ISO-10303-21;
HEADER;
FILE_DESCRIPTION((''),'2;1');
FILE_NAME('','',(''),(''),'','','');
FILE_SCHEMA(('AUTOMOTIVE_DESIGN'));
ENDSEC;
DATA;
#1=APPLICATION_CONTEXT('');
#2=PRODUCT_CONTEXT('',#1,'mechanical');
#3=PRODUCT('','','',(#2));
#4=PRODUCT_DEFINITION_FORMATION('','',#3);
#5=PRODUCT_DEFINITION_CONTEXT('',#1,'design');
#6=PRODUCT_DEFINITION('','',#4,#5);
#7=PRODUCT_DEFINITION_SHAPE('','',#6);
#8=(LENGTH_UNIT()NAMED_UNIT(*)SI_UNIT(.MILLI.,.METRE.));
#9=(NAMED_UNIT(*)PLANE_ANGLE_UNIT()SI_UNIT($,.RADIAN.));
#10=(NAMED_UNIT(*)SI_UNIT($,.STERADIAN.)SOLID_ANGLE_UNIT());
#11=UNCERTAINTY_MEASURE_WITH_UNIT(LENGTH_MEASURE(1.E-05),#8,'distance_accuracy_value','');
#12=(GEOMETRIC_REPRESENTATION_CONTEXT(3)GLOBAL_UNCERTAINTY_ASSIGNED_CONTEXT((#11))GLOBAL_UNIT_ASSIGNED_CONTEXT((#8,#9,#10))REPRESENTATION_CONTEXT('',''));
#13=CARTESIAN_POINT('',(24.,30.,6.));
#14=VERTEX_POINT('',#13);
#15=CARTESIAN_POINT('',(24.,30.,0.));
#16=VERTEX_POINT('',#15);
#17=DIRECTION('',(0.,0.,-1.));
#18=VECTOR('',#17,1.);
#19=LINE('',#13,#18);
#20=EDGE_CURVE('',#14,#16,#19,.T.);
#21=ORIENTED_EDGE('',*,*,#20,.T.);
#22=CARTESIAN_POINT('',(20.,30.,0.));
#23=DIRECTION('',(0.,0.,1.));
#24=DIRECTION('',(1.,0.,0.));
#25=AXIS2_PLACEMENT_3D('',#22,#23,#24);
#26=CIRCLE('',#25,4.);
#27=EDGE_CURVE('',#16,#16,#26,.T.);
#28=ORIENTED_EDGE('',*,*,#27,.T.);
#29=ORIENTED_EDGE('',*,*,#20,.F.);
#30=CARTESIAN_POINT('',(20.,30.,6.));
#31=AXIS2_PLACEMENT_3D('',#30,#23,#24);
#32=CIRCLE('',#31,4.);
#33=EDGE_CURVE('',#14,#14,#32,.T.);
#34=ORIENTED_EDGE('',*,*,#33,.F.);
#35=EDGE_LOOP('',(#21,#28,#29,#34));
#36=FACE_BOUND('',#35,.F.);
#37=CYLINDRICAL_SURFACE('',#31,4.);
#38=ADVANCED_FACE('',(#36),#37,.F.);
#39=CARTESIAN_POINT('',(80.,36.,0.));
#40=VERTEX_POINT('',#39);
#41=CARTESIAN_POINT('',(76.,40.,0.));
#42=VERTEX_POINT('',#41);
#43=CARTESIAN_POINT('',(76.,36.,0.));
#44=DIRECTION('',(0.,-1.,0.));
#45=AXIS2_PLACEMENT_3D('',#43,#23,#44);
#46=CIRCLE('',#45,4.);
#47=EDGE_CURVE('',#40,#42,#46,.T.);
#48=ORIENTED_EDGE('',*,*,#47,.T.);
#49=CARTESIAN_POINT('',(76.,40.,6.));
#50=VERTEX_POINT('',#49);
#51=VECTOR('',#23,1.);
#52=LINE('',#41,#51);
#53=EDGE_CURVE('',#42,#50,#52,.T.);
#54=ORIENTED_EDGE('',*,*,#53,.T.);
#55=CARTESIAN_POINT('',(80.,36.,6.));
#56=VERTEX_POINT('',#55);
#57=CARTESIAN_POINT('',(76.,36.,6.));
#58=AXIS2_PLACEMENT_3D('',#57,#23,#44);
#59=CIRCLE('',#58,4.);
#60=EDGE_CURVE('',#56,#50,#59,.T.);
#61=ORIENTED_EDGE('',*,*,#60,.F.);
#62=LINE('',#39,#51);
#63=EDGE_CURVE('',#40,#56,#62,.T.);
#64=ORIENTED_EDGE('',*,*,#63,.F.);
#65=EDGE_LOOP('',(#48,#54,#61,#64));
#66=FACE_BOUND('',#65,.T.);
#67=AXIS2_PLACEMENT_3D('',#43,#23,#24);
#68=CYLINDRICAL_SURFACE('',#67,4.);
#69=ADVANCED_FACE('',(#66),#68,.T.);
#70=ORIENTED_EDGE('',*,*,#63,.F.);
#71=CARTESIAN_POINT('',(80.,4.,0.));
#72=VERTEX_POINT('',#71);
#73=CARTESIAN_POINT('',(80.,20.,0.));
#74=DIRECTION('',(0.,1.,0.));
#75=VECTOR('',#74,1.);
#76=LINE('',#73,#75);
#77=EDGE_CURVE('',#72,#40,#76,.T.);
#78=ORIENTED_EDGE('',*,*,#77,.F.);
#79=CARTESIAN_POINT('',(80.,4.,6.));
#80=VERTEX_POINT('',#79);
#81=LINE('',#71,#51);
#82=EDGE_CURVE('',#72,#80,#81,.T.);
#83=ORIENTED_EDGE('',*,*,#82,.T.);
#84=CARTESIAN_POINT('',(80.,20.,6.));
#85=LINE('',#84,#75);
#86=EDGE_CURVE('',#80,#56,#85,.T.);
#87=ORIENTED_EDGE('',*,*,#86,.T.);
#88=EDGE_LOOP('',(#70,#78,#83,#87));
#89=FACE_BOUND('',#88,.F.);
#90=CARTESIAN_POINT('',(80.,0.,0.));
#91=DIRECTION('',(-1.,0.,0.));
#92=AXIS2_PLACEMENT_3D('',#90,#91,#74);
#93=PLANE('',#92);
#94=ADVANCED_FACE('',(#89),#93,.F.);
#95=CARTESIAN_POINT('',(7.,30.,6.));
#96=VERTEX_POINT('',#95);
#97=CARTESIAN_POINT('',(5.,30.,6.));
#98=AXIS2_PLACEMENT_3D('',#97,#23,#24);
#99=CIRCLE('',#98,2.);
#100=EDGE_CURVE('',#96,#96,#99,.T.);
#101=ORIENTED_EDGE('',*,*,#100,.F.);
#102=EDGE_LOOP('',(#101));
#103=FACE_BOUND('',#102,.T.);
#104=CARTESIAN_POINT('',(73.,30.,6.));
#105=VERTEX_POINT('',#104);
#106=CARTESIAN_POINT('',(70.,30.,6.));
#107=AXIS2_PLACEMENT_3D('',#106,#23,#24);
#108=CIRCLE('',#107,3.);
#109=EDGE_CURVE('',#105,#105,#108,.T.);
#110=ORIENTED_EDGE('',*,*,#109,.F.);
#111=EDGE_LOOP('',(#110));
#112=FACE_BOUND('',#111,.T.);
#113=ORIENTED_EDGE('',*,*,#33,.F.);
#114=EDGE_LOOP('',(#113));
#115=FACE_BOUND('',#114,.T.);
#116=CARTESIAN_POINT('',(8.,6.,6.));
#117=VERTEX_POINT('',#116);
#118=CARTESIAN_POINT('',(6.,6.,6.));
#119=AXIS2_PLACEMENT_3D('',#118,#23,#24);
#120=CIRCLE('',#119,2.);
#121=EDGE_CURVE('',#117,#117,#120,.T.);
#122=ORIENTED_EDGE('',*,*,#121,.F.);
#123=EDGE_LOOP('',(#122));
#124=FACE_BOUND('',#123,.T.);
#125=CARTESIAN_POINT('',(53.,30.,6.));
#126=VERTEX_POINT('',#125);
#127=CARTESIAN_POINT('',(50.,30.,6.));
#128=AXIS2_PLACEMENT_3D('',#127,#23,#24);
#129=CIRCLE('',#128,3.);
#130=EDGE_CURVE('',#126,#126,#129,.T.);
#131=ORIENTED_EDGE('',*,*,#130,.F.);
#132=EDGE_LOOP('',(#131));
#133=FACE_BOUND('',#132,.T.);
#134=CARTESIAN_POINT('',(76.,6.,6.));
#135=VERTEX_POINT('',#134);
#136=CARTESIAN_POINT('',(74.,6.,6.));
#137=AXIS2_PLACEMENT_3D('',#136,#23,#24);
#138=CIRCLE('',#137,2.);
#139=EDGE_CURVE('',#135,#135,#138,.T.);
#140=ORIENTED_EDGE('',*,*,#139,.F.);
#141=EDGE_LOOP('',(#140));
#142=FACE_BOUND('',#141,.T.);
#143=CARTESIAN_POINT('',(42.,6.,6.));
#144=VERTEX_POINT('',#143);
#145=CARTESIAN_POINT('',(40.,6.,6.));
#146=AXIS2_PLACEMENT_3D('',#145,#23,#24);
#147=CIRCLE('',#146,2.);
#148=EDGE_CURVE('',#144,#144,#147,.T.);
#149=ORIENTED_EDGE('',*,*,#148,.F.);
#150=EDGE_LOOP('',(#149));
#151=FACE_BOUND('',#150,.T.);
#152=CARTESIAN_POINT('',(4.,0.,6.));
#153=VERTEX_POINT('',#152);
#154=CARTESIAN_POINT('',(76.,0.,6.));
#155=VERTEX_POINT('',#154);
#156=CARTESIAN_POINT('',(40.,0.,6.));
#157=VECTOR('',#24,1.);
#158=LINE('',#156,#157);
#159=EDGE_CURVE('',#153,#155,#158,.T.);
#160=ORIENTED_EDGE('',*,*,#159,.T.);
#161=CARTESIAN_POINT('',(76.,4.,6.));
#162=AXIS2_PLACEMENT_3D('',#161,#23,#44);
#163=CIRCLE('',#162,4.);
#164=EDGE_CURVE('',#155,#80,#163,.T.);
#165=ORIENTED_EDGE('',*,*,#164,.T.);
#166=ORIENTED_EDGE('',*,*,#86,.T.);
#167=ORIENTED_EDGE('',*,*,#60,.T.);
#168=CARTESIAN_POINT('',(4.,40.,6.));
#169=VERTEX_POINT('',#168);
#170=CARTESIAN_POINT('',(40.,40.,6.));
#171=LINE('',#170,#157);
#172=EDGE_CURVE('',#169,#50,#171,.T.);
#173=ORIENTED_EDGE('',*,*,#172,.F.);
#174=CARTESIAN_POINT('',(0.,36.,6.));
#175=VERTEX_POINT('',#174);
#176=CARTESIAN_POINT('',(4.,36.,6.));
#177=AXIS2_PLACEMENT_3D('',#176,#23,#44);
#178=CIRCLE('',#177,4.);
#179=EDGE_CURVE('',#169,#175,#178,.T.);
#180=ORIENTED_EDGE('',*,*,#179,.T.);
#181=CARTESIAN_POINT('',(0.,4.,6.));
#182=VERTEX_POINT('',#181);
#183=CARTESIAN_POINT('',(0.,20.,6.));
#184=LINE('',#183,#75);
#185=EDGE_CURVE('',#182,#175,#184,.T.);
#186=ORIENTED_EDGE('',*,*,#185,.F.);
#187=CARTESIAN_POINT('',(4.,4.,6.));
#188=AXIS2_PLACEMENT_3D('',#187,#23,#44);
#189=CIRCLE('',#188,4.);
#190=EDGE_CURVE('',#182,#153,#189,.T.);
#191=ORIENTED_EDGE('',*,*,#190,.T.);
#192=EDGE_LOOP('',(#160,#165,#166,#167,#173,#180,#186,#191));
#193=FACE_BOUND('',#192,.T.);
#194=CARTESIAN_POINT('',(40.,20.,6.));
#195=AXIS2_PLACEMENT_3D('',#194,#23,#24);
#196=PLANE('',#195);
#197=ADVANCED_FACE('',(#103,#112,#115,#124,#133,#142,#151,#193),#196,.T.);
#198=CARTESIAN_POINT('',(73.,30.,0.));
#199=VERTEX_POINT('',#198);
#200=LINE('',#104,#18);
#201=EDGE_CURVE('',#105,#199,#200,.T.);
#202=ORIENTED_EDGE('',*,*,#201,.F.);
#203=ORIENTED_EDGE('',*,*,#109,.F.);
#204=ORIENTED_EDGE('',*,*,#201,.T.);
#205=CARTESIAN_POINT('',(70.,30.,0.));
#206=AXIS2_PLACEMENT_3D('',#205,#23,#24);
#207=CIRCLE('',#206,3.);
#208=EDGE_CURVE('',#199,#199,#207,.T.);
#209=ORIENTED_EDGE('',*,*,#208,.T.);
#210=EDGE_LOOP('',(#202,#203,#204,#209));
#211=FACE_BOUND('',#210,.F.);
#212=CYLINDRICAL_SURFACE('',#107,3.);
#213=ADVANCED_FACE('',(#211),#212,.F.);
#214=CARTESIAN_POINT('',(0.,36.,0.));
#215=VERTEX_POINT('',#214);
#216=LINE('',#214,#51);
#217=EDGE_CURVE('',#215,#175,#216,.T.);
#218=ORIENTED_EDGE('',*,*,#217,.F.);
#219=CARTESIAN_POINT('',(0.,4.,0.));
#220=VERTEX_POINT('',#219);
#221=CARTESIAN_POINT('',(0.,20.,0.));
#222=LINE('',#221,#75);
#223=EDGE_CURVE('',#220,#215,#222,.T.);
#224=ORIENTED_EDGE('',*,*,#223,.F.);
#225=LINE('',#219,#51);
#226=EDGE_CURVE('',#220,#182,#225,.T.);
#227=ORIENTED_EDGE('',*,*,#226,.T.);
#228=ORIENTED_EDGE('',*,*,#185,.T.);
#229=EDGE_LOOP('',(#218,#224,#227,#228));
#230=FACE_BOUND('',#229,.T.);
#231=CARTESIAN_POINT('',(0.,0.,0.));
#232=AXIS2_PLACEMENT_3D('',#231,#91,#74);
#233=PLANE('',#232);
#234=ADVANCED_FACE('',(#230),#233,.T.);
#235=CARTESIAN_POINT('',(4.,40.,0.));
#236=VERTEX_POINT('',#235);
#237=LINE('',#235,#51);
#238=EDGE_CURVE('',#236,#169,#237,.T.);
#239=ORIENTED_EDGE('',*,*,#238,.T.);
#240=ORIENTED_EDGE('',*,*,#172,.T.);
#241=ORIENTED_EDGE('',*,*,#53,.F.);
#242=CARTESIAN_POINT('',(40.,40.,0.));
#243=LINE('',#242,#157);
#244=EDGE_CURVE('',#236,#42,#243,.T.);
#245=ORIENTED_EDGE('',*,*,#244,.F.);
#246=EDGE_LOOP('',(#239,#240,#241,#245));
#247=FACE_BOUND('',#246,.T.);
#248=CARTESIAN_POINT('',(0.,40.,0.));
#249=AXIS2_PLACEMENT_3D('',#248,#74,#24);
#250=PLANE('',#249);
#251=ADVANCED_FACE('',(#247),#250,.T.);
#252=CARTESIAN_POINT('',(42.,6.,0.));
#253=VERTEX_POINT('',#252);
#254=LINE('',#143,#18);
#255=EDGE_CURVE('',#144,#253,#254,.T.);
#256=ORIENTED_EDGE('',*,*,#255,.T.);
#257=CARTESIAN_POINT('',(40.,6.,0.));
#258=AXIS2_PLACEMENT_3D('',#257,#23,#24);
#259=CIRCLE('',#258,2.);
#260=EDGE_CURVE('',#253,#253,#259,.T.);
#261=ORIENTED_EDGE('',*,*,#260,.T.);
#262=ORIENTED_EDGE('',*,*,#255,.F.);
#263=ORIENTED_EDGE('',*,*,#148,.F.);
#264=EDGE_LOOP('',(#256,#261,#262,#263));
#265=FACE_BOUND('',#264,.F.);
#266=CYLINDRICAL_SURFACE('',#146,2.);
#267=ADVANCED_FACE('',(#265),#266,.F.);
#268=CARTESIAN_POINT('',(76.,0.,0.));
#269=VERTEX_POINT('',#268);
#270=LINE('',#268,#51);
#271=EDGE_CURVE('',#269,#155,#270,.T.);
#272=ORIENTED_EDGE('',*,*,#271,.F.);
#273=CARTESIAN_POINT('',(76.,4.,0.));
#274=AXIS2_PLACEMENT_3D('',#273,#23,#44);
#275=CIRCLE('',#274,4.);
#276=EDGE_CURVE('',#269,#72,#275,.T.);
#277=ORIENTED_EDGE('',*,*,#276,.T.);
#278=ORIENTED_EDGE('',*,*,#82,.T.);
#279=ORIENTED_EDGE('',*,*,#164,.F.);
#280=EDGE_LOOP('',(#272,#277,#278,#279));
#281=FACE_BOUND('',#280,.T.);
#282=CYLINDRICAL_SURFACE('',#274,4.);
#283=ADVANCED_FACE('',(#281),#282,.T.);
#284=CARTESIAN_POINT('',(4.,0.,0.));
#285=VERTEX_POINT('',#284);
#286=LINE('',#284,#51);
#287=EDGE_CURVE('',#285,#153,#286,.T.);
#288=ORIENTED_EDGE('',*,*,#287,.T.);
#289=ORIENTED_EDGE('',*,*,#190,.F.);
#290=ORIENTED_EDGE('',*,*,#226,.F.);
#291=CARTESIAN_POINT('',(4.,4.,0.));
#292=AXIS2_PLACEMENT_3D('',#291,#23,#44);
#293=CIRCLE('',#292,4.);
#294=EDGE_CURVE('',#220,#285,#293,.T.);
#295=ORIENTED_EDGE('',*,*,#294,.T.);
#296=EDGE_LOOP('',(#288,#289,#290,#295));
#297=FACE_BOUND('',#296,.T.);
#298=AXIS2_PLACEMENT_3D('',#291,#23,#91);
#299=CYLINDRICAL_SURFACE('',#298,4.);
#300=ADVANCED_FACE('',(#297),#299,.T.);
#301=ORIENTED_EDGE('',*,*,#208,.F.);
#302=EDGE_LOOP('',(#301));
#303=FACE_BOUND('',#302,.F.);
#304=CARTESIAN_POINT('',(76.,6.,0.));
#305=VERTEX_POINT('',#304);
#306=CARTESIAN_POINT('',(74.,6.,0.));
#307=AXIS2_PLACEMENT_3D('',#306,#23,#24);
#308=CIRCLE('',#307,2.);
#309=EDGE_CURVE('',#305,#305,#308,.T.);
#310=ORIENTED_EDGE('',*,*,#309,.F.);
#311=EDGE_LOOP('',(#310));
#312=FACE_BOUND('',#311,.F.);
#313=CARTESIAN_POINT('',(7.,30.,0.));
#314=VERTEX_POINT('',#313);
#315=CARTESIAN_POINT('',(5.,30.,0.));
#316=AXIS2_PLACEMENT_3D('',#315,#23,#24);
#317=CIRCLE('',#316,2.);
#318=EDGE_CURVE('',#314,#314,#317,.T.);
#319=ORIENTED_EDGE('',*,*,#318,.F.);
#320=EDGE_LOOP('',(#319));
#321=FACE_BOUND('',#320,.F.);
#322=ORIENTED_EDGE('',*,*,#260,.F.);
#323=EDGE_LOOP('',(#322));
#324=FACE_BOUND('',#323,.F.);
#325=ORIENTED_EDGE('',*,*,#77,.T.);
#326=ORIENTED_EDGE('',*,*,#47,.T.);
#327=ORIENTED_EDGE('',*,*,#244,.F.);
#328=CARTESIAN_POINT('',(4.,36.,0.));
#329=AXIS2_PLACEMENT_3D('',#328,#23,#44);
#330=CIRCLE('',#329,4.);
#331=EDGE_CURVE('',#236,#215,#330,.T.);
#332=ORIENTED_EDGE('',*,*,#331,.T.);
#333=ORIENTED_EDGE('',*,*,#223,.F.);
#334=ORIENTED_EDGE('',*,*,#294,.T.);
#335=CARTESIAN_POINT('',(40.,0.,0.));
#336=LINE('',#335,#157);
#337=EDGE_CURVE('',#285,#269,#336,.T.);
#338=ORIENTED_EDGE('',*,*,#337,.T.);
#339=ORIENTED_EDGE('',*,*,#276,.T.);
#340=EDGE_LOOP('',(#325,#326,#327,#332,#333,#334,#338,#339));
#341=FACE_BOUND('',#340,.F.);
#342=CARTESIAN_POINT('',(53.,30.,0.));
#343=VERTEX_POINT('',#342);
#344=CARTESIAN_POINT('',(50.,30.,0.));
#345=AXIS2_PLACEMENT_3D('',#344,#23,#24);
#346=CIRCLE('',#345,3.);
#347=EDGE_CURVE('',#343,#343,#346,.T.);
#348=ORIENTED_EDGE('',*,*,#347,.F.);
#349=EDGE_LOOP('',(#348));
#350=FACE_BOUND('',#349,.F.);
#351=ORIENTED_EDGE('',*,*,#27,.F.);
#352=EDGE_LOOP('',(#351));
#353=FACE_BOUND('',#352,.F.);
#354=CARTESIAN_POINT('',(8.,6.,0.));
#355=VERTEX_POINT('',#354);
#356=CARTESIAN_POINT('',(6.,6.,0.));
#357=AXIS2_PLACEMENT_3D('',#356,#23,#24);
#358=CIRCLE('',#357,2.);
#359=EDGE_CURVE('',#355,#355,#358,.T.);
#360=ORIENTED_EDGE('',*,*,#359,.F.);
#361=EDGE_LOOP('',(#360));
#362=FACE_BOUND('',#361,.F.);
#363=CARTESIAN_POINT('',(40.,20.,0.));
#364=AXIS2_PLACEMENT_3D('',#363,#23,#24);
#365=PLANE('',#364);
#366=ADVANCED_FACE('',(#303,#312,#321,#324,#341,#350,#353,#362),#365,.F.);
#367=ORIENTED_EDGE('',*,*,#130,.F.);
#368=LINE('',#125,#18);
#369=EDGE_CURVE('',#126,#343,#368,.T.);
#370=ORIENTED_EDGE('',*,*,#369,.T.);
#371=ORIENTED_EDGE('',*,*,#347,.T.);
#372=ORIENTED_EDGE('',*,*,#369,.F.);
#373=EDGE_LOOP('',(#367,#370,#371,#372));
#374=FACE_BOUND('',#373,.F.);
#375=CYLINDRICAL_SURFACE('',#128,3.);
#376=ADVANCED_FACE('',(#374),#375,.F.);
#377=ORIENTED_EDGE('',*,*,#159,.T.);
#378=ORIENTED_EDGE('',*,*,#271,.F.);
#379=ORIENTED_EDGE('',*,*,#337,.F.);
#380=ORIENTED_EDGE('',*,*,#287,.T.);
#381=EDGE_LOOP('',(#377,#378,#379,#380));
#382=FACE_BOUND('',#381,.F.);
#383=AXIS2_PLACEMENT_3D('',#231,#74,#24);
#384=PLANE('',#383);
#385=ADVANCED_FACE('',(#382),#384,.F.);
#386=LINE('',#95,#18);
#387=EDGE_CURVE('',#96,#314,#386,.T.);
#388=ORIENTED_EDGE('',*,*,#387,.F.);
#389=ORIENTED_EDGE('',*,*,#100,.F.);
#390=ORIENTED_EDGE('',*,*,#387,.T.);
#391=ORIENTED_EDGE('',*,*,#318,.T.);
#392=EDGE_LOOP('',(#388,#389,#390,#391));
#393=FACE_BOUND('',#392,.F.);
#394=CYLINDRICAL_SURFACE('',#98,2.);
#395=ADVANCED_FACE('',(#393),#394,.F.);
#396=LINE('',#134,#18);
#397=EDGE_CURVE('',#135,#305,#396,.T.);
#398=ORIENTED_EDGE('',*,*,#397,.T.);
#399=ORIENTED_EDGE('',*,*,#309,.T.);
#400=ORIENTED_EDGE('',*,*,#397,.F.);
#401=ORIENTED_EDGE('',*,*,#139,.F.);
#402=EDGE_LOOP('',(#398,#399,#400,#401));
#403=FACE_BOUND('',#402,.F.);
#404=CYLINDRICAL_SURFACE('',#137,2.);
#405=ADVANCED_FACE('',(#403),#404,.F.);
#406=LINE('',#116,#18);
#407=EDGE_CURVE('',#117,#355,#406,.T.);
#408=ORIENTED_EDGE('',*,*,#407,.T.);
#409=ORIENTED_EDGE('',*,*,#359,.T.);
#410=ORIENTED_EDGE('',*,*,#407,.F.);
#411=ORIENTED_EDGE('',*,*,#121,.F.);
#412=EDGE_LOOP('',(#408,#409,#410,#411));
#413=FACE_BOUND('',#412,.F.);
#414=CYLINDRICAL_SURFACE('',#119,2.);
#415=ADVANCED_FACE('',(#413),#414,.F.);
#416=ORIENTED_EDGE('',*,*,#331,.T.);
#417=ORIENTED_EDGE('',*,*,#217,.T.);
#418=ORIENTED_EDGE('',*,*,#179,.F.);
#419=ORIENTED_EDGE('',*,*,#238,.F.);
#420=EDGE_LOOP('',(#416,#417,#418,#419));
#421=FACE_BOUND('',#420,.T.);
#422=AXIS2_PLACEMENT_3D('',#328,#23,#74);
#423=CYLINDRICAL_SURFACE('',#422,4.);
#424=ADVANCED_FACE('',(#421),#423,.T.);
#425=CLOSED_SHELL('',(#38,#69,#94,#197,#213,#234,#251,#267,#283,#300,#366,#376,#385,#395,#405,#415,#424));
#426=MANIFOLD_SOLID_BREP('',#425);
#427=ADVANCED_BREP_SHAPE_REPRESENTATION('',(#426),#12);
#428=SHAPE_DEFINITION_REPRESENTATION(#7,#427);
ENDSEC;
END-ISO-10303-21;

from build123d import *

# Parameters (mm, degrees)
SKETCH_W        = 80
SKETCH_H        = 40
PAD_DEPTH       = 6
SKETCH001_R     = 3
SKETCH001_R_2   = 4
POCKET_DEPTH    = 7
FILLET_R        = 4
FILLET001_R     = 4
FILLET002_R     = 4
FILLET003_R     = 4
SKETCH002_R     = 2
POCKET001_DEPTH = 8


with BuildPart() as part:
    # Sketch → Pad (new body)
    with BuildSketch(Plane.XY):
        with Locations((40, 20)):
            Rectangle(SKETCH_W, SKETCH_H)
    extrude(amount=PAD_DEPTH)

    # Sketch001 → Pocket (cut)
    with BuildSketch(Plane.XY.offset(6)):
        with Locations((50, 30)):
            Circle(SKETCH001_R)
        with Locations((70, 30)):
            Circle(SKETCH001_R)
        with Locations((20, 30)):
            Circle(SKETCH001_R_2)
    extrude(amount=-POCKET_DEPTH, mode=Mode.SUBTRACT)

    # Fillet
    fillet_edges = [part.edges().sort_by_distance(p)[0] for p in [
        (0, 0, 3),
    ]]
    fillet(fillet_edges, radius=FILLET_R)

    # Fillet001
    fillet001_edges = [part.edges().sort_by_distance(p)[0] for p in [
        (80, 0, 3),
    ]]
    fillet(fillet001_edges, radius=FILLET001_R)

    # Fillet002
    fillet002_edges = [part.edges().sort_by_distance(p)[0] for p in [
        (80, 40, 3),
    ]]
    fillet(fillet002_edges, radius=FILLET002_R)

    # Fillet003
    fillet003_edges = [part.edges().sort_by_distance(p)[0] for p in [
        (0, 40, 3),
    ]]
    fillet(fillet003_edges, radius=FILLET003_R)

    # Sketch002 → Pocket001 (cut)
    with BuildSketch(Plane.XY.offset(6)):
        with Locations((5, 30)):
            Circle(SKETCH002_R)
        with Locations((6, 6)):
            Circle(SKETCH002_R)
        with Locations((40, 6)):
            Circle(SKETCH002_R)
        with Locations((74, 6)):
            Circle(SKETCH002_R)
    extrude(amount=-POCKET001_DEPTH, mode=Mode.SUBTRACT)


solid = part.part
